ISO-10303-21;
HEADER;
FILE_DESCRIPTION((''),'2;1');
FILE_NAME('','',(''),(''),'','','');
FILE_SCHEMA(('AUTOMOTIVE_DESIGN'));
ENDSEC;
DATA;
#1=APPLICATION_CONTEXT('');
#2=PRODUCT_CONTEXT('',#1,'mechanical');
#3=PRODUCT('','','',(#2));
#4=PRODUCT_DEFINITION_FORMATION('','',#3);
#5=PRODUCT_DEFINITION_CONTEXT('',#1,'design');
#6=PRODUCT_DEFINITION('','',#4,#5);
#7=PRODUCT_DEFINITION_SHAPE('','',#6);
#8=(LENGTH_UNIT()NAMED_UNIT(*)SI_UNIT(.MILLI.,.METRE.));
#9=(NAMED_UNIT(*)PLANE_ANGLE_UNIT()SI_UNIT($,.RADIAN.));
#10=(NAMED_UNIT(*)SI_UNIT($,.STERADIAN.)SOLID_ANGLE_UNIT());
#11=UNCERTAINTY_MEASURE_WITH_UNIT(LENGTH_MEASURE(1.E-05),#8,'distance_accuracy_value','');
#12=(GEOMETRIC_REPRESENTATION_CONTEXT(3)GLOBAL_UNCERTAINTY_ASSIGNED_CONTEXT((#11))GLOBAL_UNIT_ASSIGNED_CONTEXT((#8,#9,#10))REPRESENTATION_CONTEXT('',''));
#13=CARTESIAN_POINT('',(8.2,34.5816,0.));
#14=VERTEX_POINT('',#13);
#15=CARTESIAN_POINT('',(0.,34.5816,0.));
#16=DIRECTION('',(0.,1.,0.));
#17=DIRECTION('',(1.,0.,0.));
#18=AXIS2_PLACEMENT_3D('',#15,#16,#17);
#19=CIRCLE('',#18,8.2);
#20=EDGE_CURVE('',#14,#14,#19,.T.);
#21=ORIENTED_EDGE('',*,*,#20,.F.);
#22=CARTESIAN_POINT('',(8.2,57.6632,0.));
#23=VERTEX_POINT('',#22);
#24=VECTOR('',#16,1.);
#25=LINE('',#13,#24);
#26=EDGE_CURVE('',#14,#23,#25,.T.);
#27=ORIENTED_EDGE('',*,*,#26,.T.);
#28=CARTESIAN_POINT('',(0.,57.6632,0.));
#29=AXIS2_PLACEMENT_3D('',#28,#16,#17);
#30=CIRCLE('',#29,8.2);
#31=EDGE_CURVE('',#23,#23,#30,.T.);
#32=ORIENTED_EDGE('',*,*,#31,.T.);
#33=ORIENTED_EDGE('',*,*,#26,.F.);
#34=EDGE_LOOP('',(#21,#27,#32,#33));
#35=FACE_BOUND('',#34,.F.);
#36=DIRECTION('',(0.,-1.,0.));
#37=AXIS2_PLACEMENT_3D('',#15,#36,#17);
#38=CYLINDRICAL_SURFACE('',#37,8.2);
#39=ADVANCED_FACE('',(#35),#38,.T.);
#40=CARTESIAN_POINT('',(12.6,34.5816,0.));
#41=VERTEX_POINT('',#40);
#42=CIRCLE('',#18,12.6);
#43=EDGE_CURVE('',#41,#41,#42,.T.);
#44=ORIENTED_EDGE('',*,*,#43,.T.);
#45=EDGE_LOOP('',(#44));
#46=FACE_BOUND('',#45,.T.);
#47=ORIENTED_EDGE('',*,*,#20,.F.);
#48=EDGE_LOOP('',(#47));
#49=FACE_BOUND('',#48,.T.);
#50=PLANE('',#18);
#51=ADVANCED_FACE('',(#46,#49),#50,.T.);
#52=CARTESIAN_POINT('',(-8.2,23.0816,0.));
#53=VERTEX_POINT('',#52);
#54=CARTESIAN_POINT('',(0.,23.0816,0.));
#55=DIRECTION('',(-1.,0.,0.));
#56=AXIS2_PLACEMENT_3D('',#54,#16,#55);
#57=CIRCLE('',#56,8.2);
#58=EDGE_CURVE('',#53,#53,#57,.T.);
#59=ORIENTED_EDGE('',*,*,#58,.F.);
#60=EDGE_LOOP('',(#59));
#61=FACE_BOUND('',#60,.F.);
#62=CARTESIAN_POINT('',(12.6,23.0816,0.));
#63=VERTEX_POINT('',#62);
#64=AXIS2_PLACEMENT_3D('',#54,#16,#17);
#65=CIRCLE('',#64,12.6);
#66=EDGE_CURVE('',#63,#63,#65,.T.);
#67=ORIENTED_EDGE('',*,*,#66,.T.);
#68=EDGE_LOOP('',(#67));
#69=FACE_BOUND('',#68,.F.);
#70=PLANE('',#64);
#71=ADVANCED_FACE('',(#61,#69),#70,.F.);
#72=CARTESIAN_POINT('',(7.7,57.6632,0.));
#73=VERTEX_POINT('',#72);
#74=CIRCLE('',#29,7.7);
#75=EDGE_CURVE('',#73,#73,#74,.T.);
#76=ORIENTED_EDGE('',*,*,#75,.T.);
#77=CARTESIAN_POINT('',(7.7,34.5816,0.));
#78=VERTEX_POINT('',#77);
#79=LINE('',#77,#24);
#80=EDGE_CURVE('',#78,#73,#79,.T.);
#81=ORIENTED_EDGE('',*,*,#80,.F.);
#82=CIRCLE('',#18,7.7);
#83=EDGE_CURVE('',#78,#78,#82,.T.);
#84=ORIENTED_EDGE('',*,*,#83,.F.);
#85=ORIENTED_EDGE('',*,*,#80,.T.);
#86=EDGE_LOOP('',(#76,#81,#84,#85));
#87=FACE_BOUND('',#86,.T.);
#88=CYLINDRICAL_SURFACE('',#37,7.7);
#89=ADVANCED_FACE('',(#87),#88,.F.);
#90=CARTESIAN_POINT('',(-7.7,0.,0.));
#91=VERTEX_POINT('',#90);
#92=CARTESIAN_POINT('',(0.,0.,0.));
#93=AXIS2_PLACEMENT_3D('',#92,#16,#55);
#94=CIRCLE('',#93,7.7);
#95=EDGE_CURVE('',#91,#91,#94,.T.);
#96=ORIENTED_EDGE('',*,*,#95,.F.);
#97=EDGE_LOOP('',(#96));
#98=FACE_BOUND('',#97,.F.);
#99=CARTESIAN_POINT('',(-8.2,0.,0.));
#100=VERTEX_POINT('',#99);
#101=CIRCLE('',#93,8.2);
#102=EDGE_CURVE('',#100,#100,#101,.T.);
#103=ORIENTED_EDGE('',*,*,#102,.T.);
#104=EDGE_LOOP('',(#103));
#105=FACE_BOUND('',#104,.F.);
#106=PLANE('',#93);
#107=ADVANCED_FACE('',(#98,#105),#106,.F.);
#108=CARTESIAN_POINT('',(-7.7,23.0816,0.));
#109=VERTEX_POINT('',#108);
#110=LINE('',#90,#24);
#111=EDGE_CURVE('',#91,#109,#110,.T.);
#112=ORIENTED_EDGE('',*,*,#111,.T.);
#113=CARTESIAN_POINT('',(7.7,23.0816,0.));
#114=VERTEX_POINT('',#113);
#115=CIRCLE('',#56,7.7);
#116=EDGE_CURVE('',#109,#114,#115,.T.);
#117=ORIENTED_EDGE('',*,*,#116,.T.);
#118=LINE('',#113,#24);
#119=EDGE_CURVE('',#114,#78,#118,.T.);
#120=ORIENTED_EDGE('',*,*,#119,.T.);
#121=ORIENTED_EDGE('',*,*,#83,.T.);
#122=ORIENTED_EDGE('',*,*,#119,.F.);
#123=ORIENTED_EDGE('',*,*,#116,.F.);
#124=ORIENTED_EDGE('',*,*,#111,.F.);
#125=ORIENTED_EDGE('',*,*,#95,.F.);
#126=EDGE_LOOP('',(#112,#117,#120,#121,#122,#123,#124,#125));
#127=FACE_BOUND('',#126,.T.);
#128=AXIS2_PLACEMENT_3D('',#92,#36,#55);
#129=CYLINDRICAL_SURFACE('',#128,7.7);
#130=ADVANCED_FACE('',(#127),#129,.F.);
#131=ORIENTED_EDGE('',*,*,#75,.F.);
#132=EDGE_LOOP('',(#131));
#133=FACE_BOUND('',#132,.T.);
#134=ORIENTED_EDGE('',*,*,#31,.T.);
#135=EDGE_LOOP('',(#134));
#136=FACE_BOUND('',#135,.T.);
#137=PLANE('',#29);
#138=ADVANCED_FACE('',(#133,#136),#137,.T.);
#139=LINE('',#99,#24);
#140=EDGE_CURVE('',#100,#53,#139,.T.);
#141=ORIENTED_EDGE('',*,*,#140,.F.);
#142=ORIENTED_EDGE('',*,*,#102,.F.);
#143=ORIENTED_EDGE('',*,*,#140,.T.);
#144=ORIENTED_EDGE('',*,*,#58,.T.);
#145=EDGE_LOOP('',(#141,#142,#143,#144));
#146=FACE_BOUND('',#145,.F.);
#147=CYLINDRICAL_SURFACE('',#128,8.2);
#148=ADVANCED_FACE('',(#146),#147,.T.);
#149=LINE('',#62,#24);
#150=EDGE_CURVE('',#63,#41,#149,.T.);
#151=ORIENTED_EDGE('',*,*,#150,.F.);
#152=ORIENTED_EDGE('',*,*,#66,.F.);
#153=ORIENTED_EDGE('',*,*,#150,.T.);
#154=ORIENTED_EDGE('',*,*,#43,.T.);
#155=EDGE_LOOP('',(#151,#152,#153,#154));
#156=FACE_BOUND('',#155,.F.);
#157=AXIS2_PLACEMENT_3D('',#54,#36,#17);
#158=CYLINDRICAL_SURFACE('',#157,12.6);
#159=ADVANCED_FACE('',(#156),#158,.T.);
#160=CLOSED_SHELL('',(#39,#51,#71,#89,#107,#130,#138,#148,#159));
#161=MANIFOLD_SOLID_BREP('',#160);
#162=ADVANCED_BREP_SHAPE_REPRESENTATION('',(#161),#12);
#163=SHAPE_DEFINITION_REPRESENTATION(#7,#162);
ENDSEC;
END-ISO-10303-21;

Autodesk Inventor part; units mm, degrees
ref_plane "YZ Plane" through (0, 0, 0) normal (1, 0, 0) x (0, 1, 0)
ref_plane "XZ Plane" through (0, 0, 0) normal (0, 1, 0) x (-1, 0, 0)
ref_plane "XY Plane" through (0, 0, 0) normal (0, 0, 1) x (1, 0, 0)
sketch "Sketch1" plane through (0, 0, 0) normal (0, 1, 0) x (-1, 0, 0)
  circle A0 centre (0, 0) radius 7.7
  circle A1 centre (0, 0) radius 8.2
  dimension "d0" = 15.4
  dimension "d1" = 16.4
extrude "Extrusion1" add sketch "Sketch1" along normal blind 23.0816
sketch "Sketch2" plane through (0, 23.0816, 0) normal (0, 1, 0) x (1, 0, 0)
  circle A0 centre (0, 0) radius 12.6
  circle A1 centre (0, 0) radius 7.7 projected
  dimension "d4" = 25.2
extrude "Extrusion2" add sketch "Sketch2" along normal blind 11.5
sketch "Sketch3" plane through (0, 34.5816, 0) normal (0, 1, 0) x (1, 0, 0)
  circle A0 centre (0, 0) radius 8.2 projected
  circle A1 centre (0, 0) radius 7.7 projected
extrude "Extrusion3" add sketch "Sketch3" along normal blind 23.0816
equation "\"delta\" = 7.0816"
properties part number "ICF34_Ceramic" material "Stainless Steel, 440C"
